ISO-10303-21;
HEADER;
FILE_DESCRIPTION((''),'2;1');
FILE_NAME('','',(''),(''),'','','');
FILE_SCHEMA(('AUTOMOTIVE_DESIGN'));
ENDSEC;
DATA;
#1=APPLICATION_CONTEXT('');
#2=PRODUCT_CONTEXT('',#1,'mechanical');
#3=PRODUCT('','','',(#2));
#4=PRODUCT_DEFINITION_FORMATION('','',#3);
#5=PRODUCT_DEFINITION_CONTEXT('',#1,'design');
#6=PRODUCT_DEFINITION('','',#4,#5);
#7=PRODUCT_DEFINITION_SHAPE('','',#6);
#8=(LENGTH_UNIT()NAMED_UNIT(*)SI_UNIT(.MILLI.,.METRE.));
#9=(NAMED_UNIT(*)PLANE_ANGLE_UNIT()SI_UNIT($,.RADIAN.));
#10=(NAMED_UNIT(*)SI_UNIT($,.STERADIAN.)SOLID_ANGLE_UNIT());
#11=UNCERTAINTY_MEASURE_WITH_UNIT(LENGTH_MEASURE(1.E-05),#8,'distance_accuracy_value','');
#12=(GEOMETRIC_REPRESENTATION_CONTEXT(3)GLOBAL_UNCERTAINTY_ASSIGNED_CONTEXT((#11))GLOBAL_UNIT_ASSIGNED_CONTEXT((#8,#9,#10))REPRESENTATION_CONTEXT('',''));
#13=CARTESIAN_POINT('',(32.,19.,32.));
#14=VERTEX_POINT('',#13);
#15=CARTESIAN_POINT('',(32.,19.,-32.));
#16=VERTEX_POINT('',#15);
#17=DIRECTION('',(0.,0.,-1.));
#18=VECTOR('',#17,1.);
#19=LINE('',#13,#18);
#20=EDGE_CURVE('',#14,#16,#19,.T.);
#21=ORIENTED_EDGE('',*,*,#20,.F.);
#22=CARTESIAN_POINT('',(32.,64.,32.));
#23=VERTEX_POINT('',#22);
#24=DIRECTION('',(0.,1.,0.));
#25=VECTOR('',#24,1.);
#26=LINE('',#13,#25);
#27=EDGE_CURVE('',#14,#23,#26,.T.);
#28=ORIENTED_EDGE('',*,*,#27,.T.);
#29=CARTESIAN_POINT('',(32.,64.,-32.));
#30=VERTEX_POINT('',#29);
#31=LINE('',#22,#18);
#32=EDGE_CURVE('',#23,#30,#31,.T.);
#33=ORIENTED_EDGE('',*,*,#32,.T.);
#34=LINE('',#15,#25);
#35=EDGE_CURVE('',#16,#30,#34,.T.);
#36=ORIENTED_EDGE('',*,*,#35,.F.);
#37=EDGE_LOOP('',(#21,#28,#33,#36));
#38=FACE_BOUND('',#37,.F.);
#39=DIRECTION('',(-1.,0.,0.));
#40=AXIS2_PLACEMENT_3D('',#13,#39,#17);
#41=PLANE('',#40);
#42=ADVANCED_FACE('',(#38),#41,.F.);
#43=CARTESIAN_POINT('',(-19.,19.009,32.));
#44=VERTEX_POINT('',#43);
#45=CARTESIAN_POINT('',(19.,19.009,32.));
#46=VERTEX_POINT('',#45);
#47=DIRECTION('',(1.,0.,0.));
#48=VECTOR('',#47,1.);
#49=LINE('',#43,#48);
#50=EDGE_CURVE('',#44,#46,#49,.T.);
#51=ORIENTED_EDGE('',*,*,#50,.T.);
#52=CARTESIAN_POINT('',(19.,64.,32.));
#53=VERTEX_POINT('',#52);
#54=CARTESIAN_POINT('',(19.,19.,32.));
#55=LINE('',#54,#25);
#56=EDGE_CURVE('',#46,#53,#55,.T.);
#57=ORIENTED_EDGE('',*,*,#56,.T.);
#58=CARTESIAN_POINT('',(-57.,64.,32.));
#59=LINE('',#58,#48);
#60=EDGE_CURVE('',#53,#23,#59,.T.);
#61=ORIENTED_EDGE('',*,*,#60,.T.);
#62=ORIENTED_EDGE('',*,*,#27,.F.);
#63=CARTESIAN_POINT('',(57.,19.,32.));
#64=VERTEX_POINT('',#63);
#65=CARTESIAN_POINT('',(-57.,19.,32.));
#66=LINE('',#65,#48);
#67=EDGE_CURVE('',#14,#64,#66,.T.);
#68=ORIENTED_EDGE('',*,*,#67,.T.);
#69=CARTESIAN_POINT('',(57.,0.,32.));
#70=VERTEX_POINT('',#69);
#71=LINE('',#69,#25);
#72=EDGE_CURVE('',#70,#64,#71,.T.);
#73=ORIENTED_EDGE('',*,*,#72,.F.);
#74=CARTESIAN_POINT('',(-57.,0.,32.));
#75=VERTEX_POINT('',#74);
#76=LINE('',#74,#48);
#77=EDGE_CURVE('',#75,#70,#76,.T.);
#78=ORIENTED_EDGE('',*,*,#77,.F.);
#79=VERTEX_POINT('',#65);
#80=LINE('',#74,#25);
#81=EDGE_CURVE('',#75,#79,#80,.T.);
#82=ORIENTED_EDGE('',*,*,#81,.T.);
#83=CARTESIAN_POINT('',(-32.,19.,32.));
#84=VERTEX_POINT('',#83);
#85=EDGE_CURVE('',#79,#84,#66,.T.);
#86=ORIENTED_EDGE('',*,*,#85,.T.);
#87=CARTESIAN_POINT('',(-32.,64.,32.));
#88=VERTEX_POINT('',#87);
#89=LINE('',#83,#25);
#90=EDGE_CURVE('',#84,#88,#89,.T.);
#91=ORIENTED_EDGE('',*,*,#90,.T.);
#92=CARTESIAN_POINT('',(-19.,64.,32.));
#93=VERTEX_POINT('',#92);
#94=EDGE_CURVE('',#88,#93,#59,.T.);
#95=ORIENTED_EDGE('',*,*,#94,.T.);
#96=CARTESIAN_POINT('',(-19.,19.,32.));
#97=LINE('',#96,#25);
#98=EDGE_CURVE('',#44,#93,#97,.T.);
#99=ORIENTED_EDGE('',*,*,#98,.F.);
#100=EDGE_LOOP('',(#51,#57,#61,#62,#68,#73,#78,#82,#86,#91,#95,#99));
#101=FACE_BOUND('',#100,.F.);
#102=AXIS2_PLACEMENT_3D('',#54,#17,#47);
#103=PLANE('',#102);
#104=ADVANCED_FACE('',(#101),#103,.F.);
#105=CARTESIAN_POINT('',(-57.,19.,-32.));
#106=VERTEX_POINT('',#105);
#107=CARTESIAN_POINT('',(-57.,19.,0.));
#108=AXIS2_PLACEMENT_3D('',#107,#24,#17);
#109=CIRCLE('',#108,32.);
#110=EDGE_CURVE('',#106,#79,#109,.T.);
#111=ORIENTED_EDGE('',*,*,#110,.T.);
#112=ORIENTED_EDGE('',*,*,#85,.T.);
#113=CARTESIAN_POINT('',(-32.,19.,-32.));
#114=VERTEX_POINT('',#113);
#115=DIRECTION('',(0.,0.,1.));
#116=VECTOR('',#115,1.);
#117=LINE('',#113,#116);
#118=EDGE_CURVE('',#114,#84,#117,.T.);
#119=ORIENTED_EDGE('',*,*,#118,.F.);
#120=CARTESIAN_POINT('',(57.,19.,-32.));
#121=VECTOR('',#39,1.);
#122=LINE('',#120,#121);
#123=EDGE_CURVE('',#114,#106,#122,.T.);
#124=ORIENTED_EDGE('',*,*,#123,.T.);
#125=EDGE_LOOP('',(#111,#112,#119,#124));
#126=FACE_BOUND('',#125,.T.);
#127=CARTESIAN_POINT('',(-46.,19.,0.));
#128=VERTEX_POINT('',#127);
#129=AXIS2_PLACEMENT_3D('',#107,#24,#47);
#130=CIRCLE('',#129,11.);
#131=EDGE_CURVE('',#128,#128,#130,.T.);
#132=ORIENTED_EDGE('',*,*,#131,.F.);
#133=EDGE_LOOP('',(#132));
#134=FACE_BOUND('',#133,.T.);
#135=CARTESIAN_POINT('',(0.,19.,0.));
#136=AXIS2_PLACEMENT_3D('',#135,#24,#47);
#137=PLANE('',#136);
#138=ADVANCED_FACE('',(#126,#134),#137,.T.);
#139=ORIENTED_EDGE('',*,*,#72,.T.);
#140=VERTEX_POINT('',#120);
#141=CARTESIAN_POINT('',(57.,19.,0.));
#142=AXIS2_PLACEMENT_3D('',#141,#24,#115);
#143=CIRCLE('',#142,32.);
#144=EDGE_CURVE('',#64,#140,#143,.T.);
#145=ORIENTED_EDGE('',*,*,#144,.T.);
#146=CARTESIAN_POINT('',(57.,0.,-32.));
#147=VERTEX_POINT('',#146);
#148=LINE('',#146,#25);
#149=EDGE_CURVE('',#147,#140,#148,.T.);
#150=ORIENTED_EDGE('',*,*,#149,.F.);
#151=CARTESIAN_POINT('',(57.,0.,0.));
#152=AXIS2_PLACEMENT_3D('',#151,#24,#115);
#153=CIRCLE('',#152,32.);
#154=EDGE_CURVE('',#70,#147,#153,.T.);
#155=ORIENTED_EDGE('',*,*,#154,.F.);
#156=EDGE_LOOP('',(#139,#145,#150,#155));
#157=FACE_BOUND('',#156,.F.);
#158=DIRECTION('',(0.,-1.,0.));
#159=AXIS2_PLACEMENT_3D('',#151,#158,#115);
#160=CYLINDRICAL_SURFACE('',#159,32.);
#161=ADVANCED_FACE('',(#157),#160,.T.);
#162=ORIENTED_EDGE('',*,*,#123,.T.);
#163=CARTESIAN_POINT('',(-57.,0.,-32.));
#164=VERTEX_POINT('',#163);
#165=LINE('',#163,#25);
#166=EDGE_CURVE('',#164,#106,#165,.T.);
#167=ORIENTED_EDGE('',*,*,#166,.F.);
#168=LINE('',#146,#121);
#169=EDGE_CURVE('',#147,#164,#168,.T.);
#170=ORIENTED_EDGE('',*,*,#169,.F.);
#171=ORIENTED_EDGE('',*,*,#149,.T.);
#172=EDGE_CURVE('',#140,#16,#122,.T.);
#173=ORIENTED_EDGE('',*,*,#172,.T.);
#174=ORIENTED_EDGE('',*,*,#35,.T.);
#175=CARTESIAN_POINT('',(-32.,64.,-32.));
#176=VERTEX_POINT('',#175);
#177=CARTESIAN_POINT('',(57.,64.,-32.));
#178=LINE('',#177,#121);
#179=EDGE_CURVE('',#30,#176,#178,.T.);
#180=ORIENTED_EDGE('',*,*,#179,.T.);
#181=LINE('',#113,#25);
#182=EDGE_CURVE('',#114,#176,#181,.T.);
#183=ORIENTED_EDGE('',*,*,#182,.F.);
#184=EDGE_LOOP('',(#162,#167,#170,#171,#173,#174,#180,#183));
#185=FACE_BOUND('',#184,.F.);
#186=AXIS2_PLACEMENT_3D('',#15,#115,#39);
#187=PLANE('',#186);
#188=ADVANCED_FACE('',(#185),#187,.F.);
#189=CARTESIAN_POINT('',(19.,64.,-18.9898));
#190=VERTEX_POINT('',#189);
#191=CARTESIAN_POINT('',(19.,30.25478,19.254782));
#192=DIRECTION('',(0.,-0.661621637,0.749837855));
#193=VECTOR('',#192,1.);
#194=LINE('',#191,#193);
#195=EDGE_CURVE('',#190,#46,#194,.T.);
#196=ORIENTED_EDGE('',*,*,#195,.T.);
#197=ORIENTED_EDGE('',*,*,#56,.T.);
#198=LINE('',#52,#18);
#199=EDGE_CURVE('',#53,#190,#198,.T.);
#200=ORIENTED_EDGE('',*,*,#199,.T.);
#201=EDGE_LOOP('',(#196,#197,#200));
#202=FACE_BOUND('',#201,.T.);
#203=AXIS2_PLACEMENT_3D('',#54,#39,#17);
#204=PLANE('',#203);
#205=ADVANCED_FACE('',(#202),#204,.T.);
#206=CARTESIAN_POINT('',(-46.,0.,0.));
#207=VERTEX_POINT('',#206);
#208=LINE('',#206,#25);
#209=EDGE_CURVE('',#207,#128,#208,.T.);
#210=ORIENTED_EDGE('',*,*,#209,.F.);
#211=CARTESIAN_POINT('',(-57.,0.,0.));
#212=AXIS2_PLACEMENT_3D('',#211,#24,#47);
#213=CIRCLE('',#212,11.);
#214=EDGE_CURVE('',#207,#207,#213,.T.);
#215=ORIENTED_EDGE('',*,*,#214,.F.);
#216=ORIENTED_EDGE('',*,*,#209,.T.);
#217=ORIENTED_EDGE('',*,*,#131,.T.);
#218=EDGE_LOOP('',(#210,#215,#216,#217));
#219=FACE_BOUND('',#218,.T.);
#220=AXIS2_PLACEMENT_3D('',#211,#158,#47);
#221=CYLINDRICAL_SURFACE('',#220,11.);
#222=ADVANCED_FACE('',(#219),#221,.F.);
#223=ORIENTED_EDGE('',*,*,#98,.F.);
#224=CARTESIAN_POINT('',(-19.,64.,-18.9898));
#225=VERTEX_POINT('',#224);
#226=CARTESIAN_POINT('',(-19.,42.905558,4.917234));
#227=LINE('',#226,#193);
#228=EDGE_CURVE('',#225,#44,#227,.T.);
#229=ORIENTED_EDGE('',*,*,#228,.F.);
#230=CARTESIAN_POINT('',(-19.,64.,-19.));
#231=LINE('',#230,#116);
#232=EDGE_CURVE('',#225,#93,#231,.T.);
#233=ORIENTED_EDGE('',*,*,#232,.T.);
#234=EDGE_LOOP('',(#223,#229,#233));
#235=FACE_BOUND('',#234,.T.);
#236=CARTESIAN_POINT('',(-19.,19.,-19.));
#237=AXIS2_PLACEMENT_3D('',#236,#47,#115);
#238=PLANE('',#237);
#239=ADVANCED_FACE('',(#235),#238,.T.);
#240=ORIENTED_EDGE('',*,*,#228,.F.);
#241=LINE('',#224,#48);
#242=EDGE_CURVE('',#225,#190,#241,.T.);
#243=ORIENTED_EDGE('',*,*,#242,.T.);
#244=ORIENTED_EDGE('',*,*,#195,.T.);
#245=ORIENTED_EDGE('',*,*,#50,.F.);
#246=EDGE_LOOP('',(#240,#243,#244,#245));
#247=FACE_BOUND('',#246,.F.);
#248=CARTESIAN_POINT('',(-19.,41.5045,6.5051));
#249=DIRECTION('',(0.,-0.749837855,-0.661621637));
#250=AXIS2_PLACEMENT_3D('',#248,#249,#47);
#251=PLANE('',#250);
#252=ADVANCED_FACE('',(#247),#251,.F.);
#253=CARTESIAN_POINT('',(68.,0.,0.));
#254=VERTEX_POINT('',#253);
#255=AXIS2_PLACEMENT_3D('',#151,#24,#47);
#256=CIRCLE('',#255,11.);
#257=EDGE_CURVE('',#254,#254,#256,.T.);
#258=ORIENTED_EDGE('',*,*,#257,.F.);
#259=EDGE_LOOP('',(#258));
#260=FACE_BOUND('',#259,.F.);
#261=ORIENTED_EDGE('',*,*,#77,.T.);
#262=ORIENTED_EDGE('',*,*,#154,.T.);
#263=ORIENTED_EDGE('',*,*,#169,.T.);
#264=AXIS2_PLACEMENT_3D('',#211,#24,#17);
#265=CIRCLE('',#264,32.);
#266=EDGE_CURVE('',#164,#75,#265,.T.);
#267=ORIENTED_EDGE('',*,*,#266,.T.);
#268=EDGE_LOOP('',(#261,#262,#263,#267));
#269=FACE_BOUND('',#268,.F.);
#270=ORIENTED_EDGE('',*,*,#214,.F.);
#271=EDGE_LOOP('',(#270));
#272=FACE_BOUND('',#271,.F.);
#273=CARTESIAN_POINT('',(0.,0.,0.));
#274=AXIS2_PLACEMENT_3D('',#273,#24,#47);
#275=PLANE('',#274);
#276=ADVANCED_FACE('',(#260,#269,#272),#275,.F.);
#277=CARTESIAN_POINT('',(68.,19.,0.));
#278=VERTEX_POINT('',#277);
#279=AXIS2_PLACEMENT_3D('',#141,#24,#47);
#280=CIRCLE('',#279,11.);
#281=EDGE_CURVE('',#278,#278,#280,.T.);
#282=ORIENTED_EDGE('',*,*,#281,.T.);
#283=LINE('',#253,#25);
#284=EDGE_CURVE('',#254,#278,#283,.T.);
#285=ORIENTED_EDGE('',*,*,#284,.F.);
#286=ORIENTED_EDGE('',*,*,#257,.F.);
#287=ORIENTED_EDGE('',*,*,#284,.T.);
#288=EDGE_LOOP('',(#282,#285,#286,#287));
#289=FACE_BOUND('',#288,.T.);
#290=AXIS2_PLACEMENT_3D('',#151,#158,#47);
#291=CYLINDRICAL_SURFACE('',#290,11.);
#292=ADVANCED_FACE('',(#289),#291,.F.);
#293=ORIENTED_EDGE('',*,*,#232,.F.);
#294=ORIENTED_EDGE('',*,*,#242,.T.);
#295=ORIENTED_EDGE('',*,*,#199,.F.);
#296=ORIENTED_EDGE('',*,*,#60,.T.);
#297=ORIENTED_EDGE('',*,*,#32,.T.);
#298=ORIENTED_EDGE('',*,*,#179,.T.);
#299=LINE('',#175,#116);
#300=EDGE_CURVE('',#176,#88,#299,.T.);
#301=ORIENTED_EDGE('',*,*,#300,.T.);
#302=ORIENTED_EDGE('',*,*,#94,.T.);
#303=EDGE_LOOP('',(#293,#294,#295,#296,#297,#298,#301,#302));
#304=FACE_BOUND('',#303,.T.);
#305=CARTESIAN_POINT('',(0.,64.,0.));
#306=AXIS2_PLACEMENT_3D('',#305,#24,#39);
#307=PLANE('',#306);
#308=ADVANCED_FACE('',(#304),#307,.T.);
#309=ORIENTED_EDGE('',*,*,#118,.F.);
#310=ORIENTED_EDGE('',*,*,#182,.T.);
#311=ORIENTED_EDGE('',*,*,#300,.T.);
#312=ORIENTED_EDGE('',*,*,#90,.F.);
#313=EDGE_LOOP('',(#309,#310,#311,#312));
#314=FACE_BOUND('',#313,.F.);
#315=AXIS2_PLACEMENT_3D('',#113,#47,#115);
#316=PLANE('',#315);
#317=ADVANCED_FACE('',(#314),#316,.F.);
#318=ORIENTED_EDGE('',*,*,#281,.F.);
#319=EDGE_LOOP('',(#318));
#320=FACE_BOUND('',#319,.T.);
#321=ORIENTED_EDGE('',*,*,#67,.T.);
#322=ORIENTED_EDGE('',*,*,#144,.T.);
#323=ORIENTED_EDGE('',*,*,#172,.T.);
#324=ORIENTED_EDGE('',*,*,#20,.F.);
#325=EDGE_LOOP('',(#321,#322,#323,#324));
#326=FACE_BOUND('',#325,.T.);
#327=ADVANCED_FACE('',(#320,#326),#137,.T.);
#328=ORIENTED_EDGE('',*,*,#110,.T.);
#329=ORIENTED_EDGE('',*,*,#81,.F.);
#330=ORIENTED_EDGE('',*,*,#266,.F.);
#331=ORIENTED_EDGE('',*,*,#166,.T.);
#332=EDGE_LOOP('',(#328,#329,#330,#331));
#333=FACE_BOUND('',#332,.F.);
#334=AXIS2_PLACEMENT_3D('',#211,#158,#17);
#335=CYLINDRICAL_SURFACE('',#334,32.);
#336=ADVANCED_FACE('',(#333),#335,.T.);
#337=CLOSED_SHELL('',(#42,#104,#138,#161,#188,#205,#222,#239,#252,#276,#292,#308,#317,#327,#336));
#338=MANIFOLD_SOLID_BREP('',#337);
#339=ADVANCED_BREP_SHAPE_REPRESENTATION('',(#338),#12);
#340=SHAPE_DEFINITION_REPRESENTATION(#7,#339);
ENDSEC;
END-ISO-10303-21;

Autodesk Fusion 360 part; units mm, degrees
sketch "Bottom Part" plane through (0, 0, 0) normal (0, 1, 0) x (1, 0, 0)
  line L0 (-57, -32) -> (57, -32)
  line L1 (57, 32) -> (-57, 32)
  circle A0 centre (57, 0) radius 11
  circle A1 centre (-57, 0) radius 11
  arc A2 (-57, 32) -> (-57, -32) centre (-57, 0) ccw
  arc A3 (-57, 32) -> (-57, -32) centre (-57, 0) ccw
  arc A4 (57, -32) -> (57, 32) centre (57, 0) ccw
  dimension "d1" = 114
  dimension "d2" = 64
  dimension "d3" = 32
  dimension "d4" = 32
  dimension "d5" = 22
  dimension "d6" = 22
extrude "Extrude1" add sketch "Bottom Part" along normal blind 19
sketch "Vertical Part" plane through (0, 19, 0) normal (0, 1, 0) x (-1, 0, 0)
  circle A0 centre (57, 0) radius 11
  circle A1 centre (-57, 0) radius 11
  arc A2 (-57, 32) -> (-57, -32) centre (-57, 0) ccw
  line L0 (-57, -32) -> (57, -32)
  arc A3 (57, -32) -> (57, 32) centre (57, 0) ccw
  line L1 (57, 32) -> (-57, 32)
  line L2 (-32, -32) -> (32, -32)
  line L3 (32, -32) -> (32, 32)
  line L4 (32, 32) -> (-32, 32)
  line L5 (-32, 32) -> (-32, -32)
  line L6 (-32, -32) -> (32, 32) construction
  line L7 (32, -32) -> (-32, 32) construction
  line L8 (19, 32) -> (-19, 32)
  line L9 (-19, 32) -> (-19, -19)
  line L10 (-19, -19) -> (19, -19)
  line L11 (19, -19) -> (19, 32)
  dimension "d9" = 64
  dimension "d10" = 64
  dimension "d11" = 38
  dimension "d12" = 51
  dimension "d13" = 13
extrude "Extrude2" add sketch "Vertical Part" along normal blind 45 contours L1 L4 L8 L9 L10 L11
chamfer "Chamfer2" distance 51 distance2 45 1 edges at (0, 64, 32) measured on face at (6.3333, 64, 15)
extrude "Extrude4" add sketch "Vertical Part" along normal blind 45 contours L0 L1 L2 L3 L4 L5 L9 L10 L11
equation "d14 = 64 mm - 19 mm"
